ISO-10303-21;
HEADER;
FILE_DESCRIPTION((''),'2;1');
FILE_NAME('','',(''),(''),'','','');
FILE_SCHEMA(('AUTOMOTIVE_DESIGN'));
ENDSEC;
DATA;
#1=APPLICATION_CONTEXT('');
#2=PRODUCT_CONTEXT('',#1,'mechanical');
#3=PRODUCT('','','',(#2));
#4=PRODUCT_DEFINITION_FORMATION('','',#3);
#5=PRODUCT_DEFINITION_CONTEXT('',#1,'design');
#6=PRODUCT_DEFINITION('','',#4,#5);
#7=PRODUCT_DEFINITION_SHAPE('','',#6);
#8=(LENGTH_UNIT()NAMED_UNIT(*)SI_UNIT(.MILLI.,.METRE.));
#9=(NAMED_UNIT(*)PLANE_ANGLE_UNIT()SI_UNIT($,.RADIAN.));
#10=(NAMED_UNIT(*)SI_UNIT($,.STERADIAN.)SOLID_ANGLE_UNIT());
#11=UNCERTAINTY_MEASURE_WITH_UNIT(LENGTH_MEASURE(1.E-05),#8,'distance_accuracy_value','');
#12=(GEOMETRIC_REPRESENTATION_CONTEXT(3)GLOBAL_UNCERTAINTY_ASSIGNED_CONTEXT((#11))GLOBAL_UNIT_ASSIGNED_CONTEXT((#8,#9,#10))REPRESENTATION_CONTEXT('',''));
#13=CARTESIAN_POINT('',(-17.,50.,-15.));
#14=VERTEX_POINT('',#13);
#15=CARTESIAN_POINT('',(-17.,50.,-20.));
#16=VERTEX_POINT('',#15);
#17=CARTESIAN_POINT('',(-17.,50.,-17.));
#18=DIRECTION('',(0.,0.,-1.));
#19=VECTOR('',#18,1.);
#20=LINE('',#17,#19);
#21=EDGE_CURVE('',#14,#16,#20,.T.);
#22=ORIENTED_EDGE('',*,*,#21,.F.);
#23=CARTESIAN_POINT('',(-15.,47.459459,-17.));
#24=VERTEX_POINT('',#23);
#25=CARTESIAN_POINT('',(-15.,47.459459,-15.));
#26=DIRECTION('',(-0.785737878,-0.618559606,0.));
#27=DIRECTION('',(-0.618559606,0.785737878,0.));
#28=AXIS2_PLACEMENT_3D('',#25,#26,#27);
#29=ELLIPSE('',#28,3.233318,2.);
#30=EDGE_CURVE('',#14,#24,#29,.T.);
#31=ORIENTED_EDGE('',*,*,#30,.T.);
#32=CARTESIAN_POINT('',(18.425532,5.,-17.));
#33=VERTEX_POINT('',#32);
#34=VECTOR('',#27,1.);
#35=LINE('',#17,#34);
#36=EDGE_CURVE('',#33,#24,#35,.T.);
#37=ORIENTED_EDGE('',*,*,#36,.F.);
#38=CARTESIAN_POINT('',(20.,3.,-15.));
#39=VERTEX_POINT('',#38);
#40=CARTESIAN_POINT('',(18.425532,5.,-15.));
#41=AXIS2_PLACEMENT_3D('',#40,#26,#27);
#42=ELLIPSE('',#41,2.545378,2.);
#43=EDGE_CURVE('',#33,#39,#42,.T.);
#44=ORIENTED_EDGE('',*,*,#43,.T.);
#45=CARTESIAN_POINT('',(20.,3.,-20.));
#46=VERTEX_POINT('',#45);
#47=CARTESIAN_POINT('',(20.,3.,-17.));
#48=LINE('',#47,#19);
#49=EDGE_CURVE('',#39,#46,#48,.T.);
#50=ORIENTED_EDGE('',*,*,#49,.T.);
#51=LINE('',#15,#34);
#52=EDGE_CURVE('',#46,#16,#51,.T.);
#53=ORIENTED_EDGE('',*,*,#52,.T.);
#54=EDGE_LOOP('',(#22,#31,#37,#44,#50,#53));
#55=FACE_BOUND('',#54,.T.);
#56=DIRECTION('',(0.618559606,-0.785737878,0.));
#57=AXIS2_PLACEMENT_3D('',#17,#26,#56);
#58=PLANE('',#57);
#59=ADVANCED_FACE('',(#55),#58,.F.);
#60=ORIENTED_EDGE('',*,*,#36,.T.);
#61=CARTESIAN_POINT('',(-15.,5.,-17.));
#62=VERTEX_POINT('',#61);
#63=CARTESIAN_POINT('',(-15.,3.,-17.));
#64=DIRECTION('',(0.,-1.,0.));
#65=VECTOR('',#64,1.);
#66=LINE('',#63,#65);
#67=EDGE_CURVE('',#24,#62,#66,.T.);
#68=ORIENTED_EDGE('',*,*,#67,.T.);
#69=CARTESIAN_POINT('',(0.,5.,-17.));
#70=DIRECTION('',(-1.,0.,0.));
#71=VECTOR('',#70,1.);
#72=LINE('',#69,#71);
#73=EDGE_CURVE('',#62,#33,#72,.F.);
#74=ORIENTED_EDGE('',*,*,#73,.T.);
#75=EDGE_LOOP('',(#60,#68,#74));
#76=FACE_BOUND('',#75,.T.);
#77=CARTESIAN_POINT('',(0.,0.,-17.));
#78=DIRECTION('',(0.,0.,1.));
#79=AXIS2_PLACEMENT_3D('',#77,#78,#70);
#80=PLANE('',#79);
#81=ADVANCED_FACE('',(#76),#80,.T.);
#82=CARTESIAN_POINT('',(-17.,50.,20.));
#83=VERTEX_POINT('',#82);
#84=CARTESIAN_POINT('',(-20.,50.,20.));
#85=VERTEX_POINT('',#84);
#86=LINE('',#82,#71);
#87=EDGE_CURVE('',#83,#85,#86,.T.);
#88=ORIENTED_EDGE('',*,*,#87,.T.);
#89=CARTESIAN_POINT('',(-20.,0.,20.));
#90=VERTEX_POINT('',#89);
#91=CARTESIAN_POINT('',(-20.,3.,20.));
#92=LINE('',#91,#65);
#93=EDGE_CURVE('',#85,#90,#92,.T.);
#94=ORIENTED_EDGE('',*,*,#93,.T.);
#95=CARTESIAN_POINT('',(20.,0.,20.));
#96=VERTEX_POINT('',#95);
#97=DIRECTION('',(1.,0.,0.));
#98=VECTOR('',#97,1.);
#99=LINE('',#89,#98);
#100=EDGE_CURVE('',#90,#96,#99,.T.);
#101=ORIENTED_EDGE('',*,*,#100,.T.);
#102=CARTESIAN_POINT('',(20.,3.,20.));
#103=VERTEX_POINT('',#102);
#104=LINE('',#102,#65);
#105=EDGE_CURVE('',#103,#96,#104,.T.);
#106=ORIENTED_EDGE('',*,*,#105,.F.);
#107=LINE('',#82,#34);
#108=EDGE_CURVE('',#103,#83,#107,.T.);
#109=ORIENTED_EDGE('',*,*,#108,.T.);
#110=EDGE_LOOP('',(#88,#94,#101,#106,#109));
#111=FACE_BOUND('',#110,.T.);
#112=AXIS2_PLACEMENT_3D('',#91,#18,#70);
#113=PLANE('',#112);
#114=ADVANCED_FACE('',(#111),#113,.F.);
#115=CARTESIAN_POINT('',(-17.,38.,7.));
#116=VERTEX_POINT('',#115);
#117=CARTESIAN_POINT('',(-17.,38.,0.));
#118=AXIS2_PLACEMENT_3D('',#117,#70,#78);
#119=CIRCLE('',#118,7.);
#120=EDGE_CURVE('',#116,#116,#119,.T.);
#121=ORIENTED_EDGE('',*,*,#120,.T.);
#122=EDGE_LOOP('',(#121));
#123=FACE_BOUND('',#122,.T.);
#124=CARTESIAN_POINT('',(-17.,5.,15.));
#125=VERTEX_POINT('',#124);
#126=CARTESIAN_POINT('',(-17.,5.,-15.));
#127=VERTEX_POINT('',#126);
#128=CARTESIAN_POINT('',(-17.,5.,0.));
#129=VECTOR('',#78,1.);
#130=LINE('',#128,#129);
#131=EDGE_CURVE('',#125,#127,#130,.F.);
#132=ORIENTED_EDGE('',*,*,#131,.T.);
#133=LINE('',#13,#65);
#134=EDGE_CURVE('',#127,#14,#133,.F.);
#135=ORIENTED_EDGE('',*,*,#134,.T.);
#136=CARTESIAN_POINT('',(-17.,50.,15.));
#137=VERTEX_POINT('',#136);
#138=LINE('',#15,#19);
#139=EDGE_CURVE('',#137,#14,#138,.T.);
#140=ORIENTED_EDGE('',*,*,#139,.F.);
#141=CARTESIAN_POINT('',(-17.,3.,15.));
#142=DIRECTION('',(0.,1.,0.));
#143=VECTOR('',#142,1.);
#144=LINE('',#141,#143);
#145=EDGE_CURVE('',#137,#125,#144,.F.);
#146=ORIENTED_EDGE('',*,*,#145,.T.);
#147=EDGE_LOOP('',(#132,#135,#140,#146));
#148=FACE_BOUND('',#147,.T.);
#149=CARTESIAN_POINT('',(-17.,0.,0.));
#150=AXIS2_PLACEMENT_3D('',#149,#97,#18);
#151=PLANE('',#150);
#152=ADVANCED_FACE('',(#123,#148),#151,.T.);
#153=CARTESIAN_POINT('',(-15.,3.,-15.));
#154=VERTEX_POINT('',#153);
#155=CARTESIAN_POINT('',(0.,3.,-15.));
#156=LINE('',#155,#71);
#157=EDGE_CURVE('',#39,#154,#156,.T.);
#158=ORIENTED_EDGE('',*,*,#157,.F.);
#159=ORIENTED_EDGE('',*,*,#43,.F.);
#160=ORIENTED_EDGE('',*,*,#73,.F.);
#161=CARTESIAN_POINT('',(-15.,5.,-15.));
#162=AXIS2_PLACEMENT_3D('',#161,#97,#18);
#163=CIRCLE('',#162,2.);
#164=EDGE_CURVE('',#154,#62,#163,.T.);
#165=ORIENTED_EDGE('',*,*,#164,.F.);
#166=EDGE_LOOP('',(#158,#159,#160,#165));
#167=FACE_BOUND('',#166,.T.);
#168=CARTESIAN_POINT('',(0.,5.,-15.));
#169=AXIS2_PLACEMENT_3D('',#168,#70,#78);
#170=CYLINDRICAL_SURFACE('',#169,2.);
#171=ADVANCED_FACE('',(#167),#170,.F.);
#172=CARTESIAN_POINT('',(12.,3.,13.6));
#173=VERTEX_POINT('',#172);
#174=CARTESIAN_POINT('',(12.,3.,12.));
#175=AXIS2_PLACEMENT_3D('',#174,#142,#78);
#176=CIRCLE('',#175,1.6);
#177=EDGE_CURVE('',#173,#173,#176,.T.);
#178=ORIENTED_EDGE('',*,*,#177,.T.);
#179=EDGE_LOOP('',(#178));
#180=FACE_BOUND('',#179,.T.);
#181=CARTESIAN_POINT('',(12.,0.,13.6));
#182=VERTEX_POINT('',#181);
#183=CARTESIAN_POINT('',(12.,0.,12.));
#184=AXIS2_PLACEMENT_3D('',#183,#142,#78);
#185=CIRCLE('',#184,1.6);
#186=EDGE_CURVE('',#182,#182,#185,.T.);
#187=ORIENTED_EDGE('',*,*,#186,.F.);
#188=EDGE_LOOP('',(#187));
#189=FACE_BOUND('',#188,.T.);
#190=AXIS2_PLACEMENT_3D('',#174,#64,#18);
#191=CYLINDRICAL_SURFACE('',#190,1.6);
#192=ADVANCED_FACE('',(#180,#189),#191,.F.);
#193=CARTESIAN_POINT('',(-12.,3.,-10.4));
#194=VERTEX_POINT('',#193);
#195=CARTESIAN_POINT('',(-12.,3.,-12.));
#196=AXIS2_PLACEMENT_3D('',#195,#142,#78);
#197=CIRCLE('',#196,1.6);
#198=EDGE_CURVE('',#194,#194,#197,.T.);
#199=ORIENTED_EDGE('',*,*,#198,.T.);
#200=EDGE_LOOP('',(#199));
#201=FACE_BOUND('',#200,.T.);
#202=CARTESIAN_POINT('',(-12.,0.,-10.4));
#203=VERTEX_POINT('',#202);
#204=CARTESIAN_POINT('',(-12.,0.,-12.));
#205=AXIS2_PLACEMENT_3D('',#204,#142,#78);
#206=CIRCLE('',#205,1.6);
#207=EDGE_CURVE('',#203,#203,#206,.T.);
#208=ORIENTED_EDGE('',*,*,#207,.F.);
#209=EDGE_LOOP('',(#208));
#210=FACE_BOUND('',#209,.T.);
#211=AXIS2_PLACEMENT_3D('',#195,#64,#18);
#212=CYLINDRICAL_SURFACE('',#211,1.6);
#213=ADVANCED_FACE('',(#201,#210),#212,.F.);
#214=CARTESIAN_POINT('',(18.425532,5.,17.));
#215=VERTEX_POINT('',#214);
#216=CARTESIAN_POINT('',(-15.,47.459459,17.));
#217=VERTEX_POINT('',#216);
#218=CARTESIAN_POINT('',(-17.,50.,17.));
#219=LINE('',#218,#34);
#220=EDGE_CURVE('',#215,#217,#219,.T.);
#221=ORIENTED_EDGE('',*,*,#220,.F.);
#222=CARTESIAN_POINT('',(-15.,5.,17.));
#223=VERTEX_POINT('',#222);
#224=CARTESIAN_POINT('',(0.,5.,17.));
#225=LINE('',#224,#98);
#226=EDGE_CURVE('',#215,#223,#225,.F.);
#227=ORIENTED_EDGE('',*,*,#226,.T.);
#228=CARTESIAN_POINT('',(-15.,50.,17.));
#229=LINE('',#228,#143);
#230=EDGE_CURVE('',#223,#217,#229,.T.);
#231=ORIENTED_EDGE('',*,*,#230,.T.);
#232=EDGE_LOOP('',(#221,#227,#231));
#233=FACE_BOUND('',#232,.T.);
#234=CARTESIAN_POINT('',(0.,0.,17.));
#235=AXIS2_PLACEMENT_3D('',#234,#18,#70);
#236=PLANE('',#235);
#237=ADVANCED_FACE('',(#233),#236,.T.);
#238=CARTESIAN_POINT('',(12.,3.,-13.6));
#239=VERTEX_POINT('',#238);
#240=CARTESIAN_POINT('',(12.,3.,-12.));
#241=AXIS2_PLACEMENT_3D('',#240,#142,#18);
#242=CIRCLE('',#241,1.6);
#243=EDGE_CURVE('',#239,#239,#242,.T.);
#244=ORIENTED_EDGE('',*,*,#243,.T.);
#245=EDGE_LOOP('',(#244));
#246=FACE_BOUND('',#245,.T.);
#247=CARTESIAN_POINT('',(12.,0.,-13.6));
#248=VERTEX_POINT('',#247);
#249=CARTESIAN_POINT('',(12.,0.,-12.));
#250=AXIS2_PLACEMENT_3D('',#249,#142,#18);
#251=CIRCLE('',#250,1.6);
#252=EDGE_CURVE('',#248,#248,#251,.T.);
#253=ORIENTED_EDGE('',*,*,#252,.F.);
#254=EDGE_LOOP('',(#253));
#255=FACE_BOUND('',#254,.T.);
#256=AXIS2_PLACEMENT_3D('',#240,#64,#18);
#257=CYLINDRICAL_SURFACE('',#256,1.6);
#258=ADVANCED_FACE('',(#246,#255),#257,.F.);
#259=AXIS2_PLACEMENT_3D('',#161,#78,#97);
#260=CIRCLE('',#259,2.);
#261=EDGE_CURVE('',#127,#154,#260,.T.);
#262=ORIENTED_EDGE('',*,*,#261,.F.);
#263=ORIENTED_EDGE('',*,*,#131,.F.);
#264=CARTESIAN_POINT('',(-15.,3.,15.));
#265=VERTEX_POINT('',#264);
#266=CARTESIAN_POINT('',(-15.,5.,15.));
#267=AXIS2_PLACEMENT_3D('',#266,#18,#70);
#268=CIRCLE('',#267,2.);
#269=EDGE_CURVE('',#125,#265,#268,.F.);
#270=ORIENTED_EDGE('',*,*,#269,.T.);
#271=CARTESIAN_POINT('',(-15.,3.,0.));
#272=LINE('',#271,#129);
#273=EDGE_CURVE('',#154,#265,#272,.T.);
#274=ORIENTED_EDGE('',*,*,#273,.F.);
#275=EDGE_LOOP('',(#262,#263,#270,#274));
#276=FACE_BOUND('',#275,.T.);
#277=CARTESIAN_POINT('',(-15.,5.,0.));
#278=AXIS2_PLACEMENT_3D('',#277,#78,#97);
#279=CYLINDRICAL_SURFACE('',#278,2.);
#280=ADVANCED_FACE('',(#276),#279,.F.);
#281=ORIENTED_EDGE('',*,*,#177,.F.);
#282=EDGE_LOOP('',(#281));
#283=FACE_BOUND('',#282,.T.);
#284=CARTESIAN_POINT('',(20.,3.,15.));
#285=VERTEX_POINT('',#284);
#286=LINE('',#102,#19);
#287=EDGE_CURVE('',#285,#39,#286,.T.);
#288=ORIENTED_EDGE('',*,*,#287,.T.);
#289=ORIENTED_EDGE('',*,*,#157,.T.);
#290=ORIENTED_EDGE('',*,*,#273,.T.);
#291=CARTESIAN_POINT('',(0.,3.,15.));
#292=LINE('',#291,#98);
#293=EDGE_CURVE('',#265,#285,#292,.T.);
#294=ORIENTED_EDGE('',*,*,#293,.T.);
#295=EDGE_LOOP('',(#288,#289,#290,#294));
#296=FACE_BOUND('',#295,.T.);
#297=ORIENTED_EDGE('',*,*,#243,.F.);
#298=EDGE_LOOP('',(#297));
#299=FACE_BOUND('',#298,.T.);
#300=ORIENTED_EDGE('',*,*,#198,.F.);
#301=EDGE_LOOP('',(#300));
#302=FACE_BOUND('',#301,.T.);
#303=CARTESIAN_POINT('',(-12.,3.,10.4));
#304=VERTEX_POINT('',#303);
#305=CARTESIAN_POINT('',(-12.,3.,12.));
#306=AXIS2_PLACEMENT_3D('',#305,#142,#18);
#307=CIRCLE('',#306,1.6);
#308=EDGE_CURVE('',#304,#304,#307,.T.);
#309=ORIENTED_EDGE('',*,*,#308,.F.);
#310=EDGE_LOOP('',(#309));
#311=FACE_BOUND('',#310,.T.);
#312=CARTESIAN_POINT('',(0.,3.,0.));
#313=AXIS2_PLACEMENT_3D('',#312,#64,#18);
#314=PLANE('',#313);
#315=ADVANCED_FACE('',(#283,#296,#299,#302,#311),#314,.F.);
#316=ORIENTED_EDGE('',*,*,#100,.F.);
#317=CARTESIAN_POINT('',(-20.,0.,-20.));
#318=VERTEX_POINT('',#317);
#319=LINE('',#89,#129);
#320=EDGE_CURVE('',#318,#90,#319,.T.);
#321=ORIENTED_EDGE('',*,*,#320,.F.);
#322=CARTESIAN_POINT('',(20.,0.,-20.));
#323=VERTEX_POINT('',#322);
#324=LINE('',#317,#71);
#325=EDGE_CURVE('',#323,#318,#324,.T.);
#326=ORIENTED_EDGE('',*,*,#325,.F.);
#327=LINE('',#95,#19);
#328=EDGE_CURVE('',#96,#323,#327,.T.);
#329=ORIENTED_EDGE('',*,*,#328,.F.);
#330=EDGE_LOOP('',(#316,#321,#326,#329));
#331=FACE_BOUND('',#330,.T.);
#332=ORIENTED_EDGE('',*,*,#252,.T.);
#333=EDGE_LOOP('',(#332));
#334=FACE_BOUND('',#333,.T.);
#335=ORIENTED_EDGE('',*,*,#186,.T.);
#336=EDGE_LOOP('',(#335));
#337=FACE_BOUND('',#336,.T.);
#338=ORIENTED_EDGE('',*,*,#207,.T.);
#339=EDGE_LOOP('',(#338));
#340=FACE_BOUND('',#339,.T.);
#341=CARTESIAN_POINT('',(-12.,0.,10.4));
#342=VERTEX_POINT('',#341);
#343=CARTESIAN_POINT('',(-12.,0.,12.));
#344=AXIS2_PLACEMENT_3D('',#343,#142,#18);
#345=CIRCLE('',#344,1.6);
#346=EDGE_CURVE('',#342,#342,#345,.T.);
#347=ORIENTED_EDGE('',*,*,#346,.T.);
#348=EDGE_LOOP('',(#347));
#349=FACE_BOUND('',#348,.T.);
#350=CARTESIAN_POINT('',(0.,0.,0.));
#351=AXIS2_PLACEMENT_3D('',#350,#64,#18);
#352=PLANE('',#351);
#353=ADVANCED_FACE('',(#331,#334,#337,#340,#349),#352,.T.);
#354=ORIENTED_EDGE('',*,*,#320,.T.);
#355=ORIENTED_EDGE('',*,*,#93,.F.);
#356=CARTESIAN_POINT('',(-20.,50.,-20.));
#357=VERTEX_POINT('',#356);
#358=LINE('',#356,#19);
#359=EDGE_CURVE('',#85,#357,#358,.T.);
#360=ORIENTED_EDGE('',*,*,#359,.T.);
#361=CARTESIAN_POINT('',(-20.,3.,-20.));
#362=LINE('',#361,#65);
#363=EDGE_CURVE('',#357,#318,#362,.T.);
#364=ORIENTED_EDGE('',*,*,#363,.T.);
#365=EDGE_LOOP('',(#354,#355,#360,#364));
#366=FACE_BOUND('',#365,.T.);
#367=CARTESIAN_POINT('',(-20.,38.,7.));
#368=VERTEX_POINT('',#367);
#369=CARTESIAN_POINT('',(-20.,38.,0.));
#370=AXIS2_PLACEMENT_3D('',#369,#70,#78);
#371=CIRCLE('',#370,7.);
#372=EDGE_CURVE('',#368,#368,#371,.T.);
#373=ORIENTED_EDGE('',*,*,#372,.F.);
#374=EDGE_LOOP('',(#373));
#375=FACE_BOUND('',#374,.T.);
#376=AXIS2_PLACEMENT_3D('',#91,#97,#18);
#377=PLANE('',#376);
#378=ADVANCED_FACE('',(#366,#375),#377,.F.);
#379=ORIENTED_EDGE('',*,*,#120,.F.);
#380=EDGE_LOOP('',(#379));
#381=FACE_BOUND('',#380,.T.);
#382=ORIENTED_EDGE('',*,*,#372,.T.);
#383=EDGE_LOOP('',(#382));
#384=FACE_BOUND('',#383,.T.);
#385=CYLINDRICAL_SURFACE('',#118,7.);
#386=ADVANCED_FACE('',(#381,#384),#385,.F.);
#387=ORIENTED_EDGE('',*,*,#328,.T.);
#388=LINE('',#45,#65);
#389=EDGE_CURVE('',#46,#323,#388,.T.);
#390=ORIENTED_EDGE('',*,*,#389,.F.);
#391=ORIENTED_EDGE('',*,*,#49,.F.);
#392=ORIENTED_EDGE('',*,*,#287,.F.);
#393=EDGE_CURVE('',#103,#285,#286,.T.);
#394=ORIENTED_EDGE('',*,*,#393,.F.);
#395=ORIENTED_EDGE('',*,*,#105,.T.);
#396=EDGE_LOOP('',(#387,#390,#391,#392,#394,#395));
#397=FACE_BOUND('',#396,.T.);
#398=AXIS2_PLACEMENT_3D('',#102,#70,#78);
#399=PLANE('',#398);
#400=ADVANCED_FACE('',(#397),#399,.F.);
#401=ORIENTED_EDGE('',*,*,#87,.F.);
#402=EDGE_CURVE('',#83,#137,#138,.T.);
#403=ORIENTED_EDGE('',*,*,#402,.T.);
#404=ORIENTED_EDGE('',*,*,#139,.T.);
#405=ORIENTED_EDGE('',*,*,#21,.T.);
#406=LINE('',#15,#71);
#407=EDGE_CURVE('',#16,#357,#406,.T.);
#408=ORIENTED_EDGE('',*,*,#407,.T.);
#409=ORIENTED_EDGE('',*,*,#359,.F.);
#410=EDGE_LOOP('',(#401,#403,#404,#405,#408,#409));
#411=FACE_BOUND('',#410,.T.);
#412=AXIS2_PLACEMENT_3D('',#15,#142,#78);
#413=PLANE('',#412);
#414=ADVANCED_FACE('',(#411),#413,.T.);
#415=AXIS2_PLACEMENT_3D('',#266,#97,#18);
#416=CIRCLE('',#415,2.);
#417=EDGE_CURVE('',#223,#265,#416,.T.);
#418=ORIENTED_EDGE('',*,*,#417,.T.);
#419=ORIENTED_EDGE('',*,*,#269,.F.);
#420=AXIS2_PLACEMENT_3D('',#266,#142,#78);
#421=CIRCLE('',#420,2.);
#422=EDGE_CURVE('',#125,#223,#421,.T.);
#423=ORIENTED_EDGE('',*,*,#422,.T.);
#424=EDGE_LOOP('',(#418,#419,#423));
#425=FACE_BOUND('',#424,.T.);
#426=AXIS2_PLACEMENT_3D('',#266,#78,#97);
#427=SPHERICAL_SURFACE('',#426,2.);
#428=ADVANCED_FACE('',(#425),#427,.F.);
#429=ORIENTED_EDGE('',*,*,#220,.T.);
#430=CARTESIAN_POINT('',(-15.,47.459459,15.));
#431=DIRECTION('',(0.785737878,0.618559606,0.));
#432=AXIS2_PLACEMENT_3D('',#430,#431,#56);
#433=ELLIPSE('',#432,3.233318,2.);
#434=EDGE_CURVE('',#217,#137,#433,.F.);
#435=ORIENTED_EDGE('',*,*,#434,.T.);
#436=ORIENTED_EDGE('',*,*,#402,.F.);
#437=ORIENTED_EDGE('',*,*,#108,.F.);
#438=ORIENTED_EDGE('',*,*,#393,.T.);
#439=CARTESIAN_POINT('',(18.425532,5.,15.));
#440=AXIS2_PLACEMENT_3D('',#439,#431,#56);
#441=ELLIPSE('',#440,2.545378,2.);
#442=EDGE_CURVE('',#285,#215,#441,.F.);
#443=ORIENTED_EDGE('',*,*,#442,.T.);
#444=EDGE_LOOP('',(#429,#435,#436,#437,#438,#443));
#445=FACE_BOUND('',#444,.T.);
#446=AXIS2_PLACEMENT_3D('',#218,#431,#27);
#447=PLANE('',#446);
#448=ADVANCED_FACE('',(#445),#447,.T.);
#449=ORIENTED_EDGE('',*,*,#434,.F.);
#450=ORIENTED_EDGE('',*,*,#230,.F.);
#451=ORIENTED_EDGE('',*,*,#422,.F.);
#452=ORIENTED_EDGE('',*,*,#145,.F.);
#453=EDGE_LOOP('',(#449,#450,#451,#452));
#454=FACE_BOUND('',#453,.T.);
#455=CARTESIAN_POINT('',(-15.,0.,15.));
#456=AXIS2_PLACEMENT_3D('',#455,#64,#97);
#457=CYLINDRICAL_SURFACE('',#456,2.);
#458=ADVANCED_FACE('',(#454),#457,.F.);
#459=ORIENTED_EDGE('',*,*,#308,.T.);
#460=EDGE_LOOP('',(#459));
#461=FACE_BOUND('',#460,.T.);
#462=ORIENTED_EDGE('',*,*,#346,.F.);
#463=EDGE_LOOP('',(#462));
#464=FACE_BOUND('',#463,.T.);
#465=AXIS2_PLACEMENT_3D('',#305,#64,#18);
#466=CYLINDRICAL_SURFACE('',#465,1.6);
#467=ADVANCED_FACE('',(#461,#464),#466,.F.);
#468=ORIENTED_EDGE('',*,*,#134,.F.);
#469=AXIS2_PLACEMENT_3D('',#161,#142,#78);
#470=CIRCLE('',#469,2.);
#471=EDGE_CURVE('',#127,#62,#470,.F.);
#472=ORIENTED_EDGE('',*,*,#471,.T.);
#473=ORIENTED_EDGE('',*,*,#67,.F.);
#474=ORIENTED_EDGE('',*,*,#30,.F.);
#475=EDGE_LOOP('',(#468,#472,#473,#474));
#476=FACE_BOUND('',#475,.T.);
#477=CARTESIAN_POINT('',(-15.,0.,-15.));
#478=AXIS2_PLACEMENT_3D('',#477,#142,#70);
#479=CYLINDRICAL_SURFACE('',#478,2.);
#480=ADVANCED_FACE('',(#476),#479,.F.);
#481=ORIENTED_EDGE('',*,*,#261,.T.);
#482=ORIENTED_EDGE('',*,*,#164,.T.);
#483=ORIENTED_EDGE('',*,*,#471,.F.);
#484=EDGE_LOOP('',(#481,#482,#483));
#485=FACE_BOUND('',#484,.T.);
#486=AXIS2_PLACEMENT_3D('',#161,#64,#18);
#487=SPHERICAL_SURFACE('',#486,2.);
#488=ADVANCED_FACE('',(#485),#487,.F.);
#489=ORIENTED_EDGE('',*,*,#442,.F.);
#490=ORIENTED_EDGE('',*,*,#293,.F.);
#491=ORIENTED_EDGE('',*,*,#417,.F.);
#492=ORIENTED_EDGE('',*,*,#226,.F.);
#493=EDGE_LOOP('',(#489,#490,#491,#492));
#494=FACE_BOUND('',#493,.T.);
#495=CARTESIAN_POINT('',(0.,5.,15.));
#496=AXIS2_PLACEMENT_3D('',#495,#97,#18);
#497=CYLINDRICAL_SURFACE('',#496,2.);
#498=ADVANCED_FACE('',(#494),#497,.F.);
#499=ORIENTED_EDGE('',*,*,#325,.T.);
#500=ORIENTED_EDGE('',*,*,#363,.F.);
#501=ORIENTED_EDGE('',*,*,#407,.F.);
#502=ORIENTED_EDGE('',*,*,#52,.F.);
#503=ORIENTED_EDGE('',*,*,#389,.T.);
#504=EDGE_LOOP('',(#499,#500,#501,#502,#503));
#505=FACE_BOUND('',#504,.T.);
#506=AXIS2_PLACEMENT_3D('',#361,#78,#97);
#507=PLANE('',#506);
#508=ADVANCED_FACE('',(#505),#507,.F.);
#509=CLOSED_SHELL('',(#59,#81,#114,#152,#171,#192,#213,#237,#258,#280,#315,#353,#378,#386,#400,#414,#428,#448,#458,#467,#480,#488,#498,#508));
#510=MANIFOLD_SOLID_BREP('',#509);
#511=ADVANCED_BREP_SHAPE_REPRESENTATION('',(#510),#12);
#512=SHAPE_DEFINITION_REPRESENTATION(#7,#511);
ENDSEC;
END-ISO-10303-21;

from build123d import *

# Parameters (mm, degrees)
SKETCH3_W           = 40
SKETCH3_H           = 40
SKETCH3_R           = 1.6
BOSS_EXTRUDE2_DEPTH = 3
SKETCH4_W           = 40
SKETCH4_H           = 50
SKETCH4_R           = 7
BOSS_EXTRUDE3_DEPTH = 3
BOSS_EXTRUDE4_DEPTH = 3
FILLET1_R           = 2


with BuildPart() as part:
    # Sketch3 → Boss-Extrude2 (new body)
    with BuildSketch(Plane(origin=(0, 0, 0), x_dir=(1, 0, 0), z_dir=(0, 1, 0))):
        Rectangle(SKETCH3_W, SKETCH3_H)
        with Locations(Location((-12, 12, 0), (0, 0, 270))):
            Circle(SKETCH3_R, mode=Mode.SUBTRACT)
        with Locations(Location((-12, -12, 0), (0, 0, 90))):
            Circle(SKETCH3_R, mode=Mode.SUBTRACT)
        with Locations(Location((12, -12, 0), (0, 0, 270))):
            Circle(SKETCH3_R, mode=Mode.SUBTRACT)
        with Locations(Location((12, 12, 0), (0, 0, 90))):
            Circle(SKETCH3_R, mode=Mode.SUBTRACT)
    extrude(amount=BOSS_EXTRUDE2_DEPTH)

    # Sketch4 → Boss-Extrude3 (add)
    with BuildSketch(Plane.ZY.offset(20)):
        with Locations((0, 25)):
            Rectangle(SKETCH4_W, SKETCH4_H)
        with Locations((0, 38)):
            Circle(SKETCH4_R, mode=Mode.SUBTRACT)
    extrude(amount=-BOSS_EXTRUDE3_DEPTH)

    # Sketch5 → Boss-Extrude4 (add)
    with BuildSketch(Plane.XY.offset(20)):
        Polygon((-20, 50), (-17, 50), (20, 3), (20, 0), (-20, 0), align=None)
    boss_extrude4 = extrude(amount=-BOSS_EXTRUDE4_DEPTH)

    # Mirror1: Boss-Extrude4 across plane
    add(boss_extrude4.mirror(Plane.XY))

    # Fillet1
    fillet1_edges = [part.edges().sort_by_distance(p)[0] for p in [
        (-17, 26.5, 17),
        (1.5, 3, 17),
        (-17, 3, 0),
        (-17, 26.5, -17),
        (1.5, 3, -17),
    ]]
    fillet(fillet1_edges, radius=FILLET1_R)


solid = part.part
